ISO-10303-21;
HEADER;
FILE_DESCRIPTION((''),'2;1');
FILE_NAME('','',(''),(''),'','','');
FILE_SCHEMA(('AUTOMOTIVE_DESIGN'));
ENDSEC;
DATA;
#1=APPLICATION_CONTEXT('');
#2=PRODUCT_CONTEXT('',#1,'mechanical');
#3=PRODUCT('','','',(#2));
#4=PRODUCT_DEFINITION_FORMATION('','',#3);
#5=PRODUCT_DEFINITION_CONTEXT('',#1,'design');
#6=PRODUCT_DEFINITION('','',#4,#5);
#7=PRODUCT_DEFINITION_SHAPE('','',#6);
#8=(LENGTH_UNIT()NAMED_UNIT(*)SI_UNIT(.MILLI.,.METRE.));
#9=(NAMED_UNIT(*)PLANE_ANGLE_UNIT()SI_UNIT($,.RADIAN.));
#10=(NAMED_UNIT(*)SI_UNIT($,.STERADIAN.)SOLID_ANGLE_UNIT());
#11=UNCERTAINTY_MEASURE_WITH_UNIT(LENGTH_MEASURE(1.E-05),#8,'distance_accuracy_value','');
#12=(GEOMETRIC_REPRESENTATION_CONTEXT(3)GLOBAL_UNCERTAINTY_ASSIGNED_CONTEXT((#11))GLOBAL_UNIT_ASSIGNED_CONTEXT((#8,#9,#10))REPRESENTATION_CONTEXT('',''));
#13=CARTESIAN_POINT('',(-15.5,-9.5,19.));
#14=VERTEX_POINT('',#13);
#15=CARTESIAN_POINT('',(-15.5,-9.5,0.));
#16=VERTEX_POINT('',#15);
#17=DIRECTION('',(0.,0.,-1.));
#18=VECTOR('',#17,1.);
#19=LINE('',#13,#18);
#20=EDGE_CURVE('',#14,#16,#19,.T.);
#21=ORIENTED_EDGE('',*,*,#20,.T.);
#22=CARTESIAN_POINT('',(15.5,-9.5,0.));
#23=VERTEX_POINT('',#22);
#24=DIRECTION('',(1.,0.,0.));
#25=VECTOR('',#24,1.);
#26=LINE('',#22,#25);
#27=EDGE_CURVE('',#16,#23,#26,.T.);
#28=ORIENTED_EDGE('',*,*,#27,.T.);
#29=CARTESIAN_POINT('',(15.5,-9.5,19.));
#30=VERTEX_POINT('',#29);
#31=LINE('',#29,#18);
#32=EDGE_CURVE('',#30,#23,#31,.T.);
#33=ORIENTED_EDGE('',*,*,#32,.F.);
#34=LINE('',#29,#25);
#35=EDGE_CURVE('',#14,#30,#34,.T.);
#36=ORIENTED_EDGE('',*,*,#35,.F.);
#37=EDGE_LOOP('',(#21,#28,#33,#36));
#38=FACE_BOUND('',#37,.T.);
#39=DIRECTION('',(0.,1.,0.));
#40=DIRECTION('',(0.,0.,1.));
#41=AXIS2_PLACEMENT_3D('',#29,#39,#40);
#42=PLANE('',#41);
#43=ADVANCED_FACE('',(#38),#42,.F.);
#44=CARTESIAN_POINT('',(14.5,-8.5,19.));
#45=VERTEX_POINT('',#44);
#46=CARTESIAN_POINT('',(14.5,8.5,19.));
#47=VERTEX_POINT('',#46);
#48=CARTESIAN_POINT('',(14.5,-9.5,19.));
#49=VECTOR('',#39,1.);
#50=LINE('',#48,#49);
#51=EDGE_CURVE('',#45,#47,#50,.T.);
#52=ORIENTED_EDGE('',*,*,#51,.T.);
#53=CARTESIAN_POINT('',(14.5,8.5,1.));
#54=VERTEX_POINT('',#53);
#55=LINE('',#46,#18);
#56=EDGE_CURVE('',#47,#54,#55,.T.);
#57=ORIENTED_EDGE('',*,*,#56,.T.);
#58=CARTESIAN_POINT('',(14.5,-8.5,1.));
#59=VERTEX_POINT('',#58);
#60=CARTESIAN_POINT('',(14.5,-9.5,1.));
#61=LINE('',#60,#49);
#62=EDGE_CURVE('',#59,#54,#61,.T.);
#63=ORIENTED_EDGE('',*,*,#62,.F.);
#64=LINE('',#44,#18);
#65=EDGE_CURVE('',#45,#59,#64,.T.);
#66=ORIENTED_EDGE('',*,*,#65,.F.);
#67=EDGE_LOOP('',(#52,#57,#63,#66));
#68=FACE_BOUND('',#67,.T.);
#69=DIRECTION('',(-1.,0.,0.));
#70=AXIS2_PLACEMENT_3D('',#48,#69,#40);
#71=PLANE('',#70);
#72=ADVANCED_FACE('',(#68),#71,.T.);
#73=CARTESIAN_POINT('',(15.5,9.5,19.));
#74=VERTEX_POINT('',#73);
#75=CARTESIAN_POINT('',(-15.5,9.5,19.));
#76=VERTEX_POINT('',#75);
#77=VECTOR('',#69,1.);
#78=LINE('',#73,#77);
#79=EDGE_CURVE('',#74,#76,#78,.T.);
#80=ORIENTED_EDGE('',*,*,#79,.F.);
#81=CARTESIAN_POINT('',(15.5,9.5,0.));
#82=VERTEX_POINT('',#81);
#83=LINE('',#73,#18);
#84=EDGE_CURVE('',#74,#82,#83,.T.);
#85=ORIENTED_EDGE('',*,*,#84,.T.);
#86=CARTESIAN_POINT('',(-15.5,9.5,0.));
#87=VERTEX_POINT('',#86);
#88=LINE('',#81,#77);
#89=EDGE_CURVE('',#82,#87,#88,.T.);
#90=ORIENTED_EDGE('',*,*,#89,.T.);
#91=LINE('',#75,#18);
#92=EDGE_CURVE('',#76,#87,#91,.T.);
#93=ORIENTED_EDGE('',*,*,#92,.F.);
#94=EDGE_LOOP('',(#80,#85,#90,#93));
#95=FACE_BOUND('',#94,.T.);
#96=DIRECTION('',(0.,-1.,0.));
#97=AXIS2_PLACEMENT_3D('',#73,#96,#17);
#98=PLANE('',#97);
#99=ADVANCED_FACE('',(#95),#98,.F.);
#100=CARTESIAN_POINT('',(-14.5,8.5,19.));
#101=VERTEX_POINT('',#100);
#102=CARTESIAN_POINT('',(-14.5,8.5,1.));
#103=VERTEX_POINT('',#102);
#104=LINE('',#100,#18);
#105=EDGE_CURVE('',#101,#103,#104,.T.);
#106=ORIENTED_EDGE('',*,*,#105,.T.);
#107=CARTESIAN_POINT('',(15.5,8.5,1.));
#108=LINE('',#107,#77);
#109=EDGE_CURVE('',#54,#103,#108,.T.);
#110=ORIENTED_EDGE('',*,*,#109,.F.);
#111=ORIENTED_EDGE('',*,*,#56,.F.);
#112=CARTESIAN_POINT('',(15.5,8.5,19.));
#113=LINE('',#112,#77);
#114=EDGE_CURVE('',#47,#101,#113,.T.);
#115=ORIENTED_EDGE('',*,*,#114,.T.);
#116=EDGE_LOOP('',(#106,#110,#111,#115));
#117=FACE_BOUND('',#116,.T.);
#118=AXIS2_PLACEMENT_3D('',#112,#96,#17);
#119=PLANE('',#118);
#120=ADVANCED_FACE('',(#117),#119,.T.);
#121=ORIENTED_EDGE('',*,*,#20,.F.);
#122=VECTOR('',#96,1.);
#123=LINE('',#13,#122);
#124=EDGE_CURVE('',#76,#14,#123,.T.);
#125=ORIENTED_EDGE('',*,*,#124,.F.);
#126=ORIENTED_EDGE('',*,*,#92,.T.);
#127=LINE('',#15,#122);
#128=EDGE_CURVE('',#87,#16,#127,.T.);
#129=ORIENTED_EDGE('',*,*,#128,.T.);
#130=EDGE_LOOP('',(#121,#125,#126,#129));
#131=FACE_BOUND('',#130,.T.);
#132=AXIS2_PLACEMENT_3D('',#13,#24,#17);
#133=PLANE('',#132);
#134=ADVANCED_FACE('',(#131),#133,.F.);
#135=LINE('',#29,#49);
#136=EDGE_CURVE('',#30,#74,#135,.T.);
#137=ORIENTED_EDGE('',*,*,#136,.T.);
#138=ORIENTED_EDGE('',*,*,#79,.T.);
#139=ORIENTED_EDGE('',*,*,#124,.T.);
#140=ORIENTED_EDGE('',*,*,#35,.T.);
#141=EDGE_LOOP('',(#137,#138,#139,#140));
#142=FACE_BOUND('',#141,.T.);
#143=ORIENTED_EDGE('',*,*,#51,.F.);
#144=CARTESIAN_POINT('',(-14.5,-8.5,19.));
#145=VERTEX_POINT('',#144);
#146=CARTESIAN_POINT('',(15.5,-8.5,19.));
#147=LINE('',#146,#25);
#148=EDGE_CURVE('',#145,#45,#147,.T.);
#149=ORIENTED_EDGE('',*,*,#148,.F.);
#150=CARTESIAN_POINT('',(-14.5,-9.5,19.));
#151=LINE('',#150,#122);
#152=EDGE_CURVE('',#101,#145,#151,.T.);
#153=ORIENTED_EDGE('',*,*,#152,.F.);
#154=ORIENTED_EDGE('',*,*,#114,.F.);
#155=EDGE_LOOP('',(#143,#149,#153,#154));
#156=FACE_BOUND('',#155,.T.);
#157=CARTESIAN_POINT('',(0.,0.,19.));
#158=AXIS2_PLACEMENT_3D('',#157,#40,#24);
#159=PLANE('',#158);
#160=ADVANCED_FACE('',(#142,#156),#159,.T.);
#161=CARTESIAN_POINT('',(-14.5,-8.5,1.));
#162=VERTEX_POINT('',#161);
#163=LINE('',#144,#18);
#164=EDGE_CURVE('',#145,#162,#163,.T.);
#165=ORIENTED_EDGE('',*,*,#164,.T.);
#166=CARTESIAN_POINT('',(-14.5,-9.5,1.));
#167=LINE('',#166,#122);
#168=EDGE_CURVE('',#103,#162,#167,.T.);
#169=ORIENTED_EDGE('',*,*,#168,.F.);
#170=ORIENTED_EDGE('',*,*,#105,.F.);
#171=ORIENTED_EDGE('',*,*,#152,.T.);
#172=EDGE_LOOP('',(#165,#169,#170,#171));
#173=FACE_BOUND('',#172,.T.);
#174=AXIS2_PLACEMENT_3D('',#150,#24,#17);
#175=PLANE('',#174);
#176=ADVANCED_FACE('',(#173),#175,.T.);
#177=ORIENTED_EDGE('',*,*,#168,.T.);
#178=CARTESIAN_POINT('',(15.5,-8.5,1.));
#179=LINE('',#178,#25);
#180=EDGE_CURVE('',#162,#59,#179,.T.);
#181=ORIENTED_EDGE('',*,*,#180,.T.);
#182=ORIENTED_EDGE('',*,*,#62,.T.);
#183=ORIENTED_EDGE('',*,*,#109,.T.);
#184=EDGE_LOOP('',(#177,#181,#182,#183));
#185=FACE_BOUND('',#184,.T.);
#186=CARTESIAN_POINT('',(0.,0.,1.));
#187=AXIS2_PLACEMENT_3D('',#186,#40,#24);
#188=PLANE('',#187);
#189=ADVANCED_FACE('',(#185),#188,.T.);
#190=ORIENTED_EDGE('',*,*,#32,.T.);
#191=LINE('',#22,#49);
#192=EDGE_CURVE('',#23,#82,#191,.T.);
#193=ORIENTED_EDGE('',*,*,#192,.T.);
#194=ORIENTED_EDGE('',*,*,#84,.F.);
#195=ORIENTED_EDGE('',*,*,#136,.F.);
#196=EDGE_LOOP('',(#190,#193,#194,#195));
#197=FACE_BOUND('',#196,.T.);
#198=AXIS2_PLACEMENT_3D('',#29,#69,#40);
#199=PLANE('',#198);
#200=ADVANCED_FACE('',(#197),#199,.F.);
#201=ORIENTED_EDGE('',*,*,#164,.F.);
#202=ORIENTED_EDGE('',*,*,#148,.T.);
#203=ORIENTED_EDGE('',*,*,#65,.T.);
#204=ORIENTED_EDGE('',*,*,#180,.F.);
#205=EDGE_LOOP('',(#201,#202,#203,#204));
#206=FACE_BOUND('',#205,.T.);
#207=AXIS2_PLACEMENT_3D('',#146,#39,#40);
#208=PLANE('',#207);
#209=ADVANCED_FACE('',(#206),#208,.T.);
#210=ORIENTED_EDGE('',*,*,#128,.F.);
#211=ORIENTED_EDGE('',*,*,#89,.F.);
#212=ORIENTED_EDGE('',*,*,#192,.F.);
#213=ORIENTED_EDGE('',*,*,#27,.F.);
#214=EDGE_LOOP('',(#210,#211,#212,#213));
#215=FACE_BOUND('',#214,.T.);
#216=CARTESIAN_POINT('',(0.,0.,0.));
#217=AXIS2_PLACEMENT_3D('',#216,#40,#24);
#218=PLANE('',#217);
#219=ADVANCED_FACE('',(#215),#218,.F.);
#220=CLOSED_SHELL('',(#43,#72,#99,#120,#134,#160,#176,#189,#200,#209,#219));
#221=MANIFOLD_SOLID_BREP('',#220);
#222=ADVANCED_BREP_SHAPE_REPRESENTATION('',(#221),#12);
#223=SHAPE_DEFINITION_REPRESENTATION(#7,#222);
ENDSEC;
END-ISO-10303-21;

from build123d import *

# Parameters (mm, degrees)
SKETCH1_W           = 31
SKETCH1_H           = 19
BOSS_EXTRUDE1_DEPTH = 19
SHELL1_T            = -1


with BuildPart() as part:
    # Sketch1 → Boss-Extrude1 (new body)
    with BuildSketch(Plane.XY):
        Rectangle(SKETCH1_W, SKETCH1_H)
    extrude(amount=BOSS_EXTRUDE1_DEPTH)

    # Shell1
    shell1_openings = [part.faces().sort_by_distance(p)[0] for p in [
        (0, 0, 19),
    ]]
    offset(amount=SHELL1_T, openings=shell1_openings, kind=Kind.INTERSECTION)


solid = part.part
